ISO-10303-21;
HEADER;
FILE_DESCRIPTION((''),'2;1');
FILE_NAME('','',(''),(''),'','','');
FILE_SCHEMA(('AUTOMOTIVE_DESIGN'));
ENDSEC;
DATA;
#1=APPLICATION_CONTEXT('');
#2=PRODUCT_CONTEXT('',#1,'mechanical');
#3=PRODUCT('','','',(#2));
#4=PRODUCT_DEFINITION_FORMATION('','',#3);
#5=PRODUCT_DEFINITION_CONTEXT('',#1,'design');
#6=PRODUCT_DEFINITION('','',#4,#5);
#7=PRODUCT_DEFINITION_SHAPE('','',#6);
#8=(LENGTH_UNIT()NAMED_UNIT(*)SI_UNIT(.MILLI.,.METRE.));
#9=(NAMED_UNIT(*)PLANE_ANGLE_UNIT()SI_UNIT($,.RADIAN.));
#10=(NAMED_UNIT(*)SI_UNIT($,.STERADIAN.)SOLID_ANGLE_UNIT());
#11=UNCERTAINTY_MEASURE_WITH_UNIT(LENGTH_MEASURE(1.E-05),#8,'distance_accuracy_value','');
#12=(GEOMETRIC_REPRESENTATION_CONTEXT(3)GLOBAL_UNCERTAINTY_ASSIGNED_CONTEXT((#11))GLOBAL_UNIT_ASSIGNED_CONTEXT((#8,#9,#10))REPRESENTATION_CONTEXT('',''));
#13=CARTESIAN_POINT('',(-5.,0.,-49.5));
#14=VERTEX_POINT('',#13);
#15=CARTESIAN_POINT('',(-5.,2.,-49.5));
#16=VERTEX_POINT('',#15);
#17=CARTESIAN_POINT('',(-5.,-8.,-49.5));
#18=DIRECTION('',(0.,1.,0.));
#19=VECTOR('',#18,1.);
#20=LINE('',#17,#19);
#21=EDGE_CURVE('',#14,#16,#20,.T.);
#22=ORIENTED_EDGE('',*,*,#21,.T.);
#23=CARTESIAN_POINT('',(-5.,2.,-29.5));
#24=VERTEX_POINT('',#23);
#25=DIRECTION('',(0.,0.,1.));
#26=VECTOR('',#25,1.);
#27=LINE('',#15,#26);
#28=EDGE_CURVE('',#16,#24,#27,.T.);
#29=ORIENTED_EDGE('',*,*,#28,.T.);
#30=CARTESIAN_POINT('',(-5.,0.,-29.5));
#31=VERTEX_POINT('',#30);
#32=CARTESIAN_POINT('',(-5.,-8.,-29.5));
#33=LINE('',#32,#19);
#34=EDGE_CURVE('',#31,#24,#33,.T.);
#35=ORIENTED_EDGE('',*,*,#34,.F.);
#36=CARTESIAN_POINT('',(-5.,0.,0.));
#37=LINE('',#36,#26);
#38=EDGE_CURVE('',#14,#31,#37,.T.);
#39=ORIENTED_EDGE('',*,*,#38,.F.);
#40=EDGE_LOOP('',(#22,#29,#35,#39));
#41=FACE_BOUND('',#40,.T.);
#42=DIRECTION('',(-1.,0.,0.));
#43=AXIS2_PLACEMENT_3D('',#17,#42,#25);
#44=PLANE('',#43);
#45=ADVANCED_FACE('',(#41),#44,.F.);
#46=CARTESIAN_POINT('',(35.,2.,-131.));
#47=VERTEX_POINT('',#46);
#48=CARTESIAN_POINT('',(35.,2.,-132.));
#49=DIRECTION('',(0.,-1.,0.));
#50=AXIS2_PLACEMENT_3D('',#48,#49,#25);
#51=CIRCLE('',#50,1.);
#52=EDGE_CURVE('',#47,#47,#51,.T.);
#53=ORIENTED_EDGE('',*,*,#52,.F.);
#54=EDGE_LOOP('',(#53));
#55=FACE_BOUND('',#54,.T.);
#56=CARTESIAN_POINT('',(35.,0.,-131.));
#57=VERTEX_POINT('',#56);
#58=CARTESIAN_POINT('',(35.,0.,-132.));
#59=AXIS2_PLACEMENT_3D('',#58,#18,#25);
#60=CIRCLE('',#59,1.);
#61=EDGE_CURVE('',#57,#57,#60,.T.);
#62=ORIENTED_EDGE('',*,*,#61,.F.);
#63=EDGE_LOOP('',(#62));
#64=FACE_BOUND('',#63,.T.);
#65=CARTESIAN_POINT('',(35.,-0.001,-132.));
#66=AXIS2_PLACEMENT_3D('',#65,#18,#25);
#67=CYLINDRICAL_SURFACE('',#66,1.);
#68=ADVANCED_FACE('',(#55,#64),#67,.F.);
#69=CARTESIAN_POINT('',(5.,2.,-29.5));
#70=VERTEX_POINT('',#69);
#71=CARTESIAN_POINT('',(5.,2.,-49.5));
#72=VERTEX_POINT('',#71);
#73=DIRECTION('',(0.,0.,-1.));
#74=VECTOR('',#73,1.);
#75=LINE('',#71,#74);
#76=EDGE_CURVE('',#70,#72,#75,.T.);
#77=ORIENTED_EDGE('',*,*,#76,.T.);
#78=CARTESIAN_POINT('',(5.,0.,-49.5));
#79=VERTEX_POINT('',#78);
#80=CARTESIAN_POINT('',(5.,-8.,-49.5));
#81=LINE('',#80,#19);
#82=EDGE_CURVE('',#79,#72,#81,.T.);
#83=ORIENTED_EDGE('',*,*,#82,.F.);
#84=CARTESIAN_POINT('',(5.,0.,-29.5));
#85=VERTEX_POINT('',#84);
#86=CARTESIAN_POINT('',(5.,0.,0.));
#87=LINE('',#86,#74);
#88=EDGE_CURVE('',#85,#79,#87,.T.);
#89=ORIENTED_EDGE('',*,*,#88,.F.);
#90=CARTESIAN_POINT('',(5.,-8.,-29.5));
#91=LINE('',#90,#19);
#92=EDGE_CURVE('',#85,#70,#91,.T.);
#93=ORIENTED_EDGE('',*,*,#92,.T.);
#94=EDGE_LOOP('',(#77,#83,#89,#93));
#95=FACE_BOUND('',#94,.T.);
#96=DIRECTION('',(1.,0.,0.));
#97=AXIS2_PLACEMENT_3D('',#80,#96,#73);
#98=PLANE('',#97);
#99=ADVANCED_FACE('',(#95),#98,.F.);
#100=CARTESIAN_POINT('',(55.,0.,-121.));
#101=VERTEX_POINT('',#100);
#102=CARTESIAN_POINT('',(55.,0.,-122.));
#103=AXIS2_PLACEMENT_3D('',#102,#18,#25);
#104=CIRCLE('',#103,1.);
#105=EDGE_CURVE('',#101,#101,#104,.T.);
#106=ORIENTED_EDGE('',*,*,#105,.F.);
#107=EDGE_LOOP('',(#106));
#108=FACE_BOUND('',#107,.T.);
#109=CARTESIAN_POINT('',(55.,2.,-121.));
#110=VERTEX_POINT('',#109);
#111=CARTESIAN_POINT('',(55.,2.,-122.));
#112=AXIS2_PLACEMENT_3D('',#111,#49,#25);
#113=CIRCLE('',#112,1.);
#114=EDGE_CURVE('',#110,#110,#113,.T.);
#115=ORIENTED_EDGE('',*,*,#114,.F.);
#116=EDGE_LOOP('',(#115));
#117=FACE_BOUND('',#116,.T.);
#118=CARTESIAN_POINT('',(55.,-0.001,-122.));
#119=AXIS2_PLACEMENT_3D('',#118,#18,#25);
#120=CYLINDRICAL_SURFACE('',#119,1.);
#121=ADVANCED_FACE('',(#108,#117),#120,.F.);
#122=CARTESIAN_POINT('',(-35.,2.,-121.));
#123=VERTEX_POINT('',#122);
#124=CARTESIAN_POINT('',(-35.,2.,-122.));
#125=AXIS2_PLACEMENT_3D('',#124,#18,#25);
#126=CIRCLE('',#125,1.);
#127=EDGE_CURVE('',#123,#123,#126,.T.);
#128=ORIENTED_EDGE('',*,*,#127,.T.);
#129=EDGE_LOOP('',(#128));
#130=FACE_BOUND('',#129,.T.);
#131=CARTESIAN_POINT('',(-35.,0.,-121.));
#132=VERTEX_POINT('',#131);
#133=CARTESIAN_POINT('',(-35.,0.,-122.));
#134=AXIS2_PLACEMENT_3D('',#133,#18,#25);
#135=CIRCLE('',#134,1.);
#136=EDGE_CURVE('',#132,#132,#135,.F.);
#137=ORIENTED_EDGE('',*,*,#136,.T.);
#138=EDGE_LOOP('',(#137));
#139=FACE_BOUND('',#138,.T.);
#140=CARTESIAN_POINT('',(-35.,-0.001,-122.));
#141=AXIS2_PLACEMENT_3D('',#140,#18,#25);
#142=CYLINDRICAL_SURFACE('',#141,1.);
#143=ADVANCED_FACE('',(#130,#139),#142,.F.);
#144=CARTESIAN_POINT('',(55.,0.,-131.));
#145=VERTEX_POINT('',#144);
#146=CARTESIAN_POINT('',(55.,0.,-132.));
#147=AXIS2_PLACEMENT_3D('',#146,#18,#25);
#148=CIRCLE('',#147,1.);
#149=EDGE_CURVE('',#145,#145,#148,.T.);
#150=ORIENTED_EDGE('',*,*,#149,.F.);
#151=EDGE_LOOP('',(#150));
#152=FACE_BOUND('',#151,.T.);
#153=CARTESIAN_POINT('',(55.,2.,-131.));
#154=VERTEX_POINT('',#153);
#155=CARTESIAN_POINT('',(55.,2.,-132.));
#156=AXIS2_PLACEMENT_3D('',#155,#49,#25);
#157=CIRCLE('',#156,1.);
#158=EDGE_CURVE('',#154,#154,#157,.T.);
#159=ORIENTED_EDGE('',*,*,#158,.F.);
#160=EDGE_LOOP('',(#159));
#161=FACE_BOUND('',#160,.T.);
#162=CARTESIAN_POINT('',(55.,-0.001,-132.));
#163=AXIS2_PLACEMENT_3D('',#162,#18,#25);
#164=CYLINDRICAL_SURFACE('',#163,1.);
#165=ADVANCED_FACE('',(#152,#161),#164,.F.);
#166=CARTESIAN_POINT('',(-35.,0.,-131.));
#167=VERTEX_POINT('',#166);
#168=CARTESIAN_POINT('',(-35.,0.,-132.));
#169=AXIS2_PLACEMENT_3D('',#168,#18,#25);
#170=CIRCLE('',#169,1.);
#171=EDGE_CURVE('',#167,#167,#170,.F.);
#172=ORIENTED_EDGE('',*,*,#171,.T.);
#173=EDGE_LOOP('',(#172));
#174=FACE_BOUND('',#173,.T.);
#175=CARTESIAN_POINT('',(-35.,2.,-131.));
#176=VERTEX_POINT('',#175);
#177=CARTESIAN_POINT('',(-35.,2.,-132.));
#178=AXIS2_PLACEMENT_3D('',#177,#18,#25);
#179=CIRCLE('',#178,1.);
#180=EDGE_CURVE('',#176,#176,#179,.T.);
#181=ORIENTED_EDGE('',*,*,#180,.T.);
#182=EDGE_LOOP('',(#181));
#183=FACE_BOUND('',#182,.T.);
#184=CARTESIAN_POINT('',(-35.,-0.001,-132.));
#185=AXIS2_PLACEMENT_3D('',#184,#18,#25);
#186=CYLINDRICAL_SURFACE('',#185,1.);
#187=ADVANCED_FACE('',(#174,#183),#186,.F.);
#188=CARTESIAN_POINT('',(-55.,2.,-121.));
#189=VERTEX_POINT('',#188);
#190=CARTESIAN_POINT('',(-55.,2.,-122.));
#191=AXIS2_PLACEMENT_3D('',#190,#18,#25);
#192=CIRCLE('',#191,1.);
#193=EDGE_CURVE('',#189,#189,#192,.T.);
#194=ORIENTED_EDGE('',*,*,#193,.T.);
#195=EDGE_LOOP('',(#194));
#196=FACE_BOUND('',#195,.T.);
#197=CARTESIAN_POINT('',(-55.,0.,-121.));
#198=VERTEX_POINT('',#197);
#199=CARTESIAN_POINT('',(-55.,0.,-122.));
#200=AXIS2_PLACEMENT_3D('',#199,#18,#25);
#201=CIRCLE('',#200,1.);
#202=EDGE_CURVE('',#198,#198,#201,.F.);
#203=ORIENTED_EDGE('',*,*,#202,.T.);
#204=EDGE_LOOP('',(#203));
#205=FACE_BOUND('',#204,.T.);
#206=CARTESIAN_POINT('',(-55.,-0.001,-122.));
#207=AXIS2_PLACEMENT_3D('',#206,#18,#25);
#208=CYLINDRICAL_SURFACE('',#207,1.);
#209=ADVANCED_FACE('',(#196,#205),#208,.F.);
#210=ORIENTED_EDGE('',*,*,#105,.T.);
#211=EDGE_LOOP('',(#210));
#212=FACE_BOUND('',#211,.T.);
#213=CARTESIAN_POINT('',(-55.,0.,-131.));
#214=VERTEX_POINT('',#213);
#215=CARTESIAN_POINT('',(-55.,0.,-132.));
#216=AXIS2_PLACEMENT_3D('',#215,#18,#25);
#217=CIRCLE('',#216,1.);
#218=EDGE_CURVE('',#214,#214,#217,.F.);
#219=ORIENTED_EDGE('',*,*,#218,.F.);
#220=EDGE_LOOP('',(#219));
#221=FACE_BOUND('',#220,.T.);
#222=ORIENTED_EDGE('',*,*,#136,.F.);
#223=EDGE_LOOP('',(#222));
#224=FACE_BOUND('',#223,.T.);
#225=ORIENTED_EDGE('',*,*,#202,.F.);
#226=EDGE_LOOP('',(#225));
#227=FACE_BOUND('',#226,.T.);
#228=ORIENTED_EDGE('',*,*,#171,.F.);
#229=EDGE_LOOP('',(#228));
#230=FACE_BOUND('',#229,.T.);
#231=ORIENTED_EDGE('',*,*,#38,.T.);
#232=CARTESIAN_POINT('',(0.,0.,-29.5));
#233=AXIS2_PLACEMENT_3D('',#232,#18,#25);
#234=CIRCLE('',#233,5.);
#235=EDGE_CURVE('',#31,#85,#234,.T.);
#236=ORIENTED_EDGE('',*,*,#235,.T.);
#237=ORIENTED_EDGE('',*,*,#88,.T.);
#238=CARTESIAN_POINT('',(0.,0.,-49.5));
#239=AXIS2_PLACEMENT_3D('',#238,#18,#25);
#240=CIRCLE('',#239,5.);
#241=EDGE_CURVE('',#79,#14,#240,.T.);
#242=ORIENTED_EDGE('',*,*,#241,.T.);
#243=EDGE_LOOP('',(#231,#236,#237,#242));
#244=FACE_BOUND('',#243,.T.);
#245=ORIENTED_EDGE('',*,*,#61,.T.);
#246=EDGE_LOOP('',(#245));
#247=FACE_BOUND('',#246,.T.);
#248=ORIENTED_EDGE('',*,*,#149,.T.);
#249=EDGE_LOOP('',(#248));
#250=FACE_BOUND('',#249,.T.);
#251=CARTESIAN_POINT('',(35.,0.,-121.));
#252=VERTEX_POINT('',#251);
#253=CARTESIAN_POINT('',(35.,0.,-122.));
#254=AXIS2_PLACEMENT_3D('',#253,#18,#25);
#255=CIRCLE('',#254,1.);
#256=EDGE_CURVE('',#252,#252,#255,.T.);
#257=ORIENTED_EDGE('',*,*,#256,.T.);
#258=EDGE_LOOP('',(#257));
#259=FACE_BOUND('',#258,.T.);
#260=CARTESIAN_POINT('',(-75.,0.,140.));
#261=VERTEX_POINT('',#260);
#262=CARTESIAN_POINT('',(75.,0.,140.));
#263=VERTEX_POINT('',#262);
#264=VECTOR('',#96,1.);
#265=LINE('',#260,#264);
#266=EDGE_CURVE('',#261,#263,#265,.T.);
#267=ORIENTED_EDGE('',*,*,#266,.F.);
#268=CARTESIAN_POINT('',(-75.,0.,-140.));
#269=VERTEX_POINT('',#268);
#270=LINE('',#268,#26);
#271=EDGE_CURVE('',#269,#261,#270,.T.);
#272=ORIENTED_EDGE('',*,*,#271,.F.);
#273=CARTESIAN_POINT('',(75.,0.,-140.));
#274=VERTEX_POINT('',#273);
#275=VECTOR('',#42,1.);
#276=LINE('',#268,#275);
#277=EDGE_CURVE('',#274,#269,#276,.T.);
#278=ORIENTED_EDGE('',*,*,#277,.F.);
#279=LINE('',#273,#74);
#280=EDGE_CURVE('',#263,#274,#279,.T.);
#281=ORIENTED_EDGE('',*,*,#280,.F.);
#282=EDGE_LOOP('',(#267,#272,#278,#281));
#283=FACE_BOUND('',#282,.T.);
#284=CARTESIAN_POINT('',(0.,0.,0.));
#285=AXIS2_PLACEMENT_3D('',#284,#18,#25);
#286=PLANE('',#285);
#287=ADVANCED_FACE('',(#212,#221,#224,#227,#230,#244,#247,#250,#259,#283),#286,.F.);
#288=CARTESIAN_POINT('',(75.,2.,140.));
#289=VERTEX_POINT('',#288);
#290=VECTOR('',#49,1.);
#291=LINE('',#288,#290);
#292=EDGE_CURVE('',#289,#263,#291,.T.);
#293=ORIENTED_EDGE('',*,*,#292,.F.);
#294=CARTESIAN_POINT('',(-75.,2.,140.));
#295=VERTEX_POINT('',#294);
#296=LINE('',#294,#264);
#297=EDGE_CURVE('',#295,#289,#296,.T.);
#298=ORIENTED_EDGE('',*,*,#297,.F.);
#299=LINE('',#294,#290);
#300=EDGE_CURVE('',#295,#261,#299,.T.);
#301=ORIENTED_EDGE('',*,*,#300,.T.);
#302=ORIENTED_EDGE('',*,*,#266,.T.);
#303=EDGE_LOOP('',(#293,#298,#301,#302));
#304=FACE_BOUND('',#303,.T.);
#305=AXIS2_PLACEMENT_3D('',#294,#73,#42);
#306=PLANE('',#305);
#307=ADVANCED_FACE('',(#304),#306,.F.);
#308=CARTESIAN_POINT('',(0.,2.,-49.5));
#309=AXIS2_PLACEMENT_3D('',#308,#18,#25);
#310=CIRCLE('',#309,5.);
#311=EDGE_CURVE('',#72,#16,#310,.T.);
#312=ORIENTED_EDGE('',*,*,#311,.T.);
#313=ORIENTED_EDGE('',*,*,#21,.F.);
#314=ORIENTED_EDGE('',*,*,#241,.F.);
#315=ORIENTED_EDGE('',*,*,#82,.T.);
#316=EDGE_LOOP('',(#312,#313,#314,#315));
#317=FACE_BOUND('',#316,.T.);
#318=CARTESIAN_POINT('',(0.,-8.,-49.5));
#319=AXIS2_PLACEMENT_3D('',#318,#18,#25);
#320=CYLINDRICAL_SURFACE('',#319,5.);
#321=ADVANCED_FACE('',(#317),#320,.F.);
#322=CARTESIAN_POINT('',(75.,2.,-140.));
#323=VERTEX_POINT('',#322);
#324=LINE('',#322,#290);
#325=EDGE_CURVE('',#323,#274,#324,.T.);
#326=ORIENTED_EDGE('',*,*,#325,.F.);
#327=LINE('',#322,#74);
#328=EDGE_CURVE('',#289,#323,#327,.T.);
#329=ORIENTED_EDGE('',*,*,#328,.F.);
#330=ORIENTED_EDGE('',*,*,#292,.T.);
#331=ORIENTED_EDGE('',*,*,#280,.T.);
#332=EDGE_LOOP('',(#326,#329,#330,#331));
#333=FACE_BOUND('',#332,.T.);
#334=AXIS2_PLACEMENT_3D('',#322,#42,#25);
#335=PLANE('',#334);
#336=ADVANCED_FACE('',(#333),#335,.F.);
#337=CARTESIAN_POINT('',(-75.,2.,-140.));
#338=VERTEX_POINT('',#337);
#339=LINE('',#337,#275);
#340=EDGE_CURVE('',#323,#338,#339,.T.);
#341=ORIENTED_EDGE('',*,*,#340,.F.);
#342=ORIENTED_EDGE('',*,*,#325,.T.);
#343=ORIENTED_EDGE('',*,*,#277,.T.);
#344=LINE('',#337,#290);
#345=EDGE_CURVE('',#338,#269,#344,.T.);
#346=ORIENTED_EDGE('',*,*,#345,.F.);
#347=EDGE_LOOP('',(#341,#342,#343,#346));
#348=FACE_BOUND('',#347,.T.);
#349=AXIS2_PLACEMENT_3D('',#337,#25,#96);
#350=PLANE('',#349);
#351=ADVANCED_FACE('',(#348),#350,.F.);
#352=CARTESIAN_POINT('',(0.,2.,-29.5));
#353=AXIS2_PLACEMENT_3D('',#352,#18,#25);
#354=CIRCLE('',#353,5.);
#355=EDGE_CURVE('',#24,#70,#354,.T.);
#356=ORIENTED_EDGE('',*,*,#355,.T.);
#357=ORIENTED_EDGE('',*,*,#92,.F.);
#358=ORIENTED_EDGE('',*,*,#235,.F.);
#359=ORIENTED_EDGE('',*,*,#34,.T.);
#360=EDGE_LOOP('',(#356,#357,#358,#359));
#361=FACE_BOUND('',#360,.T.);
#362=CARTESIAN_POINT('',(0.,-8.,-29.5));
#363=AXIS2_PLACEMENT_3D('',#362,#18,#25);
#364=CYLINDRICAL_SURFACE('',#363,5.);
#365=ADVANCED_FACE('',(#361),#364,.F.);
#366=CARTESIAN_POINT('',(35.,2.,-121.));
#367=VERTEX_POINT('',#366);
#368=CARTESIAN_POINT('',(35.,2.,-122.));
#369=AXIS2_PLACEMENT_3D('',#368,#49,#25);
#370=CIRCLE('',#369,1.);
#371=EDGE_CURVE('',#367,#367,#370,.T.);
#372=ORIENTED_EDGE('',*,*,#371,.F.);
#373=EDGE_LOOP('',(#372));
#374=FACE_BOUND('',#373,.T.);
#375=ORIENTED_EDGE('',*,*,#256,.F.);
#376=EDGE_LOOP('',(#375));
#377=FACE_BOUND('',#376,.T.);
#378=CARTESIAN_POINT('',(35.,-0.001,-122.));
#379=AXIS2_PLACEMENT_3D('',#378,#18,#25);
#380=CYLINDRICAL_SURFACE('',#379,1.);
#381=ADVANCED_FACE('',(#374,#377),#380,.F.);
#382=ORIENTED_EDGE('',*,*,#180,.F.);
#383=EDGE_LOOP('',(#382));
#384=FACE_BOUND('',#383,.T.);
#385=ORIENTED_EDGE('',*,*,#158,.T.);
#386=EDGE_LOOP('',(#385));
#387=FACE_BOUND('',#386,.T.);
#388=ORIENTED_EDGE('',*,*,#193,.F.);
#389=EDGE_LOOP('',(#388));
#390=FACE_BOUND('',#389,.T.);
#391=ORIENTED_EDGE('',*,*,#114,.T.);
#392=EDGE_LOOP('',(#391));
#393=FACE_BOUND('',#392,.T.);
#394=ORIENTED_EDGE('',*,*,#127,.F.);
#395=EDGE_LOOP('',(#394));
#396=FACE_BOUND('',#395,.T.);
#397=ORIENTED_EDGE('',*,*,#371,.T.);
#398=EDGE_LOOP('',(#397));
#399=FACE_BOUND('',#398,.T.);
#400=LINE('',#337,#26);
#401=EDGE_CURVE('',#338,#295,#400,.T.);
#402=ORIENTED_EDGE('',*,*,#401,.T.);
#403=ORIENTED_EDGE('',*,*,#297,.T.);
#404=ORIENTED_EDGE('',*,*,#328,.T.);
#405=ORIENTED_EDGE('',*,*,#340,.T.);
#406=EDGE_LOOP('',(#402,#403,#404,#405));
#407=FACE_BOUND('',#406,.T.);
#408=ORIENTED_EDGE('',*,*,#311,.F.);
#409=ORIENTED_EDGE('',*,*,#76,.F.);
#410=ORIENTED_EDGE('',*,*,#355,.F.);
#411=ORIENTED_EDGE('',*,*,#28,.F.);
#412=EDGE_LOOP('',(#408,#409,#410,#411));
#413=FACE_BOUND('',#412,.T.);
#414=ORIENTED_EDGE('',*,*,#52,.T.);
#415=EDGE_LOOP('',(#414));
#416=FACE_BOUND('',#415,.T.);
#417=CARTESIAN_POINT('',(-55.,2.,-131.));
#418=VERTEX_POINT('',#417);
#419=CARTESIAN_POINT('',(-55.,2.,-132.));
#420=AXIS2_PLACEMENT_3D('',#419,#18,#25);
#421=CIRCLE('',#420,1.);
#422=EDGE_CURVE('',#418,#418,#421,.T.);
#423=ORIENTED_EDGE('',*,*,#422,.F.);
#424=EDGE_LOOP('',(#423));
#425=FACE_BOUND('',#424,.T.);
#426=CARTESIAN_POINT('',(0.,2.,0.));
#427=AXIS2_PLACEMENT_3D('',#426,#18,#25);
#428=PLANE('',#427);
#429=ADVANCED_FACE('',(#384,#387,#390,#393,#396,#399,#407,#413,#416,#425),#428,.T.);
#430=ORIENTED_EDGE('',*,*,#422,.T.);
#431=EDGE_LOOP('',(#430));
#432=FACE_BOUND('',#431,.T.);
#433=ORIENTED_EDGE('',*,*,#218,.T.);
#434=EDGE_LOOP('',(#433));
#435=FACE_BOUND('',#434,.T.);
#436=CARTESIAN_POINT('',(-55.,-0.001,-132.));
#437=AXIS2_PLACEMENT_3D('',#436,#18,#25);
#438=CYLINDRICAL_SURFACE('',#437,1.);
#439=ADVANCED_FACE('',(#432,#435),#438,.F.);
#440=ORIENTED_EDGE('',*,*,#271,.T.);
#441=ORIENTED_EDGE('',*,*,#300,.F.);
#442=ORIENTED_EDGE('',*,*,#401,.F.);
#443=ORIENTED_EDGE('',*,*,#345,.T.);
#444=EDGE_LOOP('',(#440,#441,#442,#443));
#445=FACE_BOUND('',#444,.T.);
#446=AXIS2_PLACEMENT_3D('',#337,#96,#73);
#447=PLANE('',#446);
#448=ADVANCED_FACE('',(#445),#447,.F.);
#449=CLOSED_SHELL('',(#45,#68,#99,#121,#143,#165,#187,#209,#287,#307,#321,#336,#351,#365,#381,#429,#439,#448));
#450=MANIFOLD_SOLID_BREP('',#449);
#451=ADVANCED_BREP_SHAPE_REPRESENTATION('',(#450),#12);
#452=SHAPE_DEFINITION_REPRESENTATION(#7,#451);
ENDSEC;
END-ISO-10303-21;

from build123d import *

# Parameters (mm, degrees)
SKETCH_1_W                  = 150
SKETCH_1_H                  = 280
EXTRUDE_1_DEPTH             = 2
SKETCH_4_R                  = 1
CUT_EXTRUDE_1_DEPTH         = 2
PATTERN_LINEAR_1_COUNT      = 2
PATTERN_LINEAR_1_PITCH      = 20
PATTERN_LINEAR_1_COUNT_DIR2 = 2
PATTERN_LINEAR_1_PITCH_DIR2 = 10
MIRROR_2_COPY_1_SKETCH_R    = 1
MIRROR_2_COPY_1_DEPTH       = 2
MIRROR_2_COPY_2_SKETCH_R    = 1
MIRROR_2_COPY_2_DEPTH       = 2
MIRROR_2_COPY_3_SKETCH_R    = 1
MIRROR_2_COPY_3_DEPTH       = 2
CUT_EXTRUDE_2_DEPTH         = 10


with BuildPart() as part:
    # 草图1 → 凸台-拉伸1 (new body)
    with BuildSketch(Plane(origin=(0, 0, 0), x_dir=(1, 0, 0), z_dir=(0, 1, 0))):
        Rectangle(SKETCH_1_W, SKETCH_1_H)
    extrude(amount=EXTRUDE_1_DEPTH)

    # 草图4 → 切除-拉伸1 (cut)
    with BuildSketch(Plane(origin=(0, 2, 0), x_dir=(1, 0, 0), z_dir=(0, 1, 0))):
        with Locations((-55, 132)):
            Circle(SKETCH_4_R)
    cut_extrude_1 = extrude(amount=-CUT_EXTRUDE_1_DEPTH, mode=Mode.SUBTRACT)

    # 阵列(线性)1: Cut-Extrude 1 2 × 2
    with Locations(*[(i * PATTERN_LINEAR_1_PITCH, 0, j * PATTERN_LINEAR_1_PITCH_DIR2) for i in range(PATTERN_LINEAR_1_COUNT) for j in range(PATTERN_LINEAR_1_COUNT_DIR2) if (i, j) != (0, 0)]):
        add(cut_extrude_1, mode=Mode.SUBTRACT)

    # 镜向2: 切除-拉伸1 across plane
    add(cut_extrude_1.mirror(Plane.ZY), mode=Mode.SUBTRACT)

    # 镜向2 copy 1 sketch → 镜向2 copy 1 (cut)
    with BuildSketch(Plane(origin=(0, 2, 10), x_dir=(-1, 0, 0), z_dir=(0, 1, 0))):
        with Locations((-55, -132)):
            Circle(MIRROR_2_COPY_1_SKETCH_R)
    extrude(amount=-MIRROR_2_COPY_1_DEPTH, mode=Mode.SUBTRACT)

    # 镜向2 copy 2 sketch → 镜向2 copy 2 (cut)
    with BuildSketch(Plane(origin=(-20, 2, 0), x_dir=(-1, 0, 0), z_dir=(0, 1, 0))):
        with Locations((-55, -132)):
            Circle(MIRROR_2_COPY_2_SKETCH_R)
    extrude(amount=-MIRROR_2_COPY_2_DEPTH, mode=Mode.SUBTRACT)

    # 镜向2 copy 3 sketch → 镜向2 copy 3 (cut)
    with BuildSketch(Plane(origin=(-20, 2, 10), x_dir=(-1, 0, 0), z_dir=(0, 1, 0))):
        with Locations((-55, -132)):
            Circle(MIRROR_2_COPY_3_SKETCH_R)
    extrude(amount=-MIRROR_2_COPY_3_DEPTH, mode=Mode.SUBTRACT)

    # 草图5 → 切除-拉伸2 (cut)
    with BuildSketch(Plane(origin=(0, 2, 0), x_dir=(1, 0, 0), z_dir=(0, 1, 0))):
        with BuildLine():
            Line((5, 49.5), (5, 29.5))
            ThreePointArc((5, 29.5), (0, 24.5), (-5, 29.5))
            Line((-5, 29.5), (-5, 49.5))
            ThreePointArc((-5, 49.5), (0, 54.5), (5, 49.5))
        make_face()
    extrude(amount=-CUT_EXTRUDE_2_DEPTH, mode=Mode.SUBTRACT)


solid = part.part
